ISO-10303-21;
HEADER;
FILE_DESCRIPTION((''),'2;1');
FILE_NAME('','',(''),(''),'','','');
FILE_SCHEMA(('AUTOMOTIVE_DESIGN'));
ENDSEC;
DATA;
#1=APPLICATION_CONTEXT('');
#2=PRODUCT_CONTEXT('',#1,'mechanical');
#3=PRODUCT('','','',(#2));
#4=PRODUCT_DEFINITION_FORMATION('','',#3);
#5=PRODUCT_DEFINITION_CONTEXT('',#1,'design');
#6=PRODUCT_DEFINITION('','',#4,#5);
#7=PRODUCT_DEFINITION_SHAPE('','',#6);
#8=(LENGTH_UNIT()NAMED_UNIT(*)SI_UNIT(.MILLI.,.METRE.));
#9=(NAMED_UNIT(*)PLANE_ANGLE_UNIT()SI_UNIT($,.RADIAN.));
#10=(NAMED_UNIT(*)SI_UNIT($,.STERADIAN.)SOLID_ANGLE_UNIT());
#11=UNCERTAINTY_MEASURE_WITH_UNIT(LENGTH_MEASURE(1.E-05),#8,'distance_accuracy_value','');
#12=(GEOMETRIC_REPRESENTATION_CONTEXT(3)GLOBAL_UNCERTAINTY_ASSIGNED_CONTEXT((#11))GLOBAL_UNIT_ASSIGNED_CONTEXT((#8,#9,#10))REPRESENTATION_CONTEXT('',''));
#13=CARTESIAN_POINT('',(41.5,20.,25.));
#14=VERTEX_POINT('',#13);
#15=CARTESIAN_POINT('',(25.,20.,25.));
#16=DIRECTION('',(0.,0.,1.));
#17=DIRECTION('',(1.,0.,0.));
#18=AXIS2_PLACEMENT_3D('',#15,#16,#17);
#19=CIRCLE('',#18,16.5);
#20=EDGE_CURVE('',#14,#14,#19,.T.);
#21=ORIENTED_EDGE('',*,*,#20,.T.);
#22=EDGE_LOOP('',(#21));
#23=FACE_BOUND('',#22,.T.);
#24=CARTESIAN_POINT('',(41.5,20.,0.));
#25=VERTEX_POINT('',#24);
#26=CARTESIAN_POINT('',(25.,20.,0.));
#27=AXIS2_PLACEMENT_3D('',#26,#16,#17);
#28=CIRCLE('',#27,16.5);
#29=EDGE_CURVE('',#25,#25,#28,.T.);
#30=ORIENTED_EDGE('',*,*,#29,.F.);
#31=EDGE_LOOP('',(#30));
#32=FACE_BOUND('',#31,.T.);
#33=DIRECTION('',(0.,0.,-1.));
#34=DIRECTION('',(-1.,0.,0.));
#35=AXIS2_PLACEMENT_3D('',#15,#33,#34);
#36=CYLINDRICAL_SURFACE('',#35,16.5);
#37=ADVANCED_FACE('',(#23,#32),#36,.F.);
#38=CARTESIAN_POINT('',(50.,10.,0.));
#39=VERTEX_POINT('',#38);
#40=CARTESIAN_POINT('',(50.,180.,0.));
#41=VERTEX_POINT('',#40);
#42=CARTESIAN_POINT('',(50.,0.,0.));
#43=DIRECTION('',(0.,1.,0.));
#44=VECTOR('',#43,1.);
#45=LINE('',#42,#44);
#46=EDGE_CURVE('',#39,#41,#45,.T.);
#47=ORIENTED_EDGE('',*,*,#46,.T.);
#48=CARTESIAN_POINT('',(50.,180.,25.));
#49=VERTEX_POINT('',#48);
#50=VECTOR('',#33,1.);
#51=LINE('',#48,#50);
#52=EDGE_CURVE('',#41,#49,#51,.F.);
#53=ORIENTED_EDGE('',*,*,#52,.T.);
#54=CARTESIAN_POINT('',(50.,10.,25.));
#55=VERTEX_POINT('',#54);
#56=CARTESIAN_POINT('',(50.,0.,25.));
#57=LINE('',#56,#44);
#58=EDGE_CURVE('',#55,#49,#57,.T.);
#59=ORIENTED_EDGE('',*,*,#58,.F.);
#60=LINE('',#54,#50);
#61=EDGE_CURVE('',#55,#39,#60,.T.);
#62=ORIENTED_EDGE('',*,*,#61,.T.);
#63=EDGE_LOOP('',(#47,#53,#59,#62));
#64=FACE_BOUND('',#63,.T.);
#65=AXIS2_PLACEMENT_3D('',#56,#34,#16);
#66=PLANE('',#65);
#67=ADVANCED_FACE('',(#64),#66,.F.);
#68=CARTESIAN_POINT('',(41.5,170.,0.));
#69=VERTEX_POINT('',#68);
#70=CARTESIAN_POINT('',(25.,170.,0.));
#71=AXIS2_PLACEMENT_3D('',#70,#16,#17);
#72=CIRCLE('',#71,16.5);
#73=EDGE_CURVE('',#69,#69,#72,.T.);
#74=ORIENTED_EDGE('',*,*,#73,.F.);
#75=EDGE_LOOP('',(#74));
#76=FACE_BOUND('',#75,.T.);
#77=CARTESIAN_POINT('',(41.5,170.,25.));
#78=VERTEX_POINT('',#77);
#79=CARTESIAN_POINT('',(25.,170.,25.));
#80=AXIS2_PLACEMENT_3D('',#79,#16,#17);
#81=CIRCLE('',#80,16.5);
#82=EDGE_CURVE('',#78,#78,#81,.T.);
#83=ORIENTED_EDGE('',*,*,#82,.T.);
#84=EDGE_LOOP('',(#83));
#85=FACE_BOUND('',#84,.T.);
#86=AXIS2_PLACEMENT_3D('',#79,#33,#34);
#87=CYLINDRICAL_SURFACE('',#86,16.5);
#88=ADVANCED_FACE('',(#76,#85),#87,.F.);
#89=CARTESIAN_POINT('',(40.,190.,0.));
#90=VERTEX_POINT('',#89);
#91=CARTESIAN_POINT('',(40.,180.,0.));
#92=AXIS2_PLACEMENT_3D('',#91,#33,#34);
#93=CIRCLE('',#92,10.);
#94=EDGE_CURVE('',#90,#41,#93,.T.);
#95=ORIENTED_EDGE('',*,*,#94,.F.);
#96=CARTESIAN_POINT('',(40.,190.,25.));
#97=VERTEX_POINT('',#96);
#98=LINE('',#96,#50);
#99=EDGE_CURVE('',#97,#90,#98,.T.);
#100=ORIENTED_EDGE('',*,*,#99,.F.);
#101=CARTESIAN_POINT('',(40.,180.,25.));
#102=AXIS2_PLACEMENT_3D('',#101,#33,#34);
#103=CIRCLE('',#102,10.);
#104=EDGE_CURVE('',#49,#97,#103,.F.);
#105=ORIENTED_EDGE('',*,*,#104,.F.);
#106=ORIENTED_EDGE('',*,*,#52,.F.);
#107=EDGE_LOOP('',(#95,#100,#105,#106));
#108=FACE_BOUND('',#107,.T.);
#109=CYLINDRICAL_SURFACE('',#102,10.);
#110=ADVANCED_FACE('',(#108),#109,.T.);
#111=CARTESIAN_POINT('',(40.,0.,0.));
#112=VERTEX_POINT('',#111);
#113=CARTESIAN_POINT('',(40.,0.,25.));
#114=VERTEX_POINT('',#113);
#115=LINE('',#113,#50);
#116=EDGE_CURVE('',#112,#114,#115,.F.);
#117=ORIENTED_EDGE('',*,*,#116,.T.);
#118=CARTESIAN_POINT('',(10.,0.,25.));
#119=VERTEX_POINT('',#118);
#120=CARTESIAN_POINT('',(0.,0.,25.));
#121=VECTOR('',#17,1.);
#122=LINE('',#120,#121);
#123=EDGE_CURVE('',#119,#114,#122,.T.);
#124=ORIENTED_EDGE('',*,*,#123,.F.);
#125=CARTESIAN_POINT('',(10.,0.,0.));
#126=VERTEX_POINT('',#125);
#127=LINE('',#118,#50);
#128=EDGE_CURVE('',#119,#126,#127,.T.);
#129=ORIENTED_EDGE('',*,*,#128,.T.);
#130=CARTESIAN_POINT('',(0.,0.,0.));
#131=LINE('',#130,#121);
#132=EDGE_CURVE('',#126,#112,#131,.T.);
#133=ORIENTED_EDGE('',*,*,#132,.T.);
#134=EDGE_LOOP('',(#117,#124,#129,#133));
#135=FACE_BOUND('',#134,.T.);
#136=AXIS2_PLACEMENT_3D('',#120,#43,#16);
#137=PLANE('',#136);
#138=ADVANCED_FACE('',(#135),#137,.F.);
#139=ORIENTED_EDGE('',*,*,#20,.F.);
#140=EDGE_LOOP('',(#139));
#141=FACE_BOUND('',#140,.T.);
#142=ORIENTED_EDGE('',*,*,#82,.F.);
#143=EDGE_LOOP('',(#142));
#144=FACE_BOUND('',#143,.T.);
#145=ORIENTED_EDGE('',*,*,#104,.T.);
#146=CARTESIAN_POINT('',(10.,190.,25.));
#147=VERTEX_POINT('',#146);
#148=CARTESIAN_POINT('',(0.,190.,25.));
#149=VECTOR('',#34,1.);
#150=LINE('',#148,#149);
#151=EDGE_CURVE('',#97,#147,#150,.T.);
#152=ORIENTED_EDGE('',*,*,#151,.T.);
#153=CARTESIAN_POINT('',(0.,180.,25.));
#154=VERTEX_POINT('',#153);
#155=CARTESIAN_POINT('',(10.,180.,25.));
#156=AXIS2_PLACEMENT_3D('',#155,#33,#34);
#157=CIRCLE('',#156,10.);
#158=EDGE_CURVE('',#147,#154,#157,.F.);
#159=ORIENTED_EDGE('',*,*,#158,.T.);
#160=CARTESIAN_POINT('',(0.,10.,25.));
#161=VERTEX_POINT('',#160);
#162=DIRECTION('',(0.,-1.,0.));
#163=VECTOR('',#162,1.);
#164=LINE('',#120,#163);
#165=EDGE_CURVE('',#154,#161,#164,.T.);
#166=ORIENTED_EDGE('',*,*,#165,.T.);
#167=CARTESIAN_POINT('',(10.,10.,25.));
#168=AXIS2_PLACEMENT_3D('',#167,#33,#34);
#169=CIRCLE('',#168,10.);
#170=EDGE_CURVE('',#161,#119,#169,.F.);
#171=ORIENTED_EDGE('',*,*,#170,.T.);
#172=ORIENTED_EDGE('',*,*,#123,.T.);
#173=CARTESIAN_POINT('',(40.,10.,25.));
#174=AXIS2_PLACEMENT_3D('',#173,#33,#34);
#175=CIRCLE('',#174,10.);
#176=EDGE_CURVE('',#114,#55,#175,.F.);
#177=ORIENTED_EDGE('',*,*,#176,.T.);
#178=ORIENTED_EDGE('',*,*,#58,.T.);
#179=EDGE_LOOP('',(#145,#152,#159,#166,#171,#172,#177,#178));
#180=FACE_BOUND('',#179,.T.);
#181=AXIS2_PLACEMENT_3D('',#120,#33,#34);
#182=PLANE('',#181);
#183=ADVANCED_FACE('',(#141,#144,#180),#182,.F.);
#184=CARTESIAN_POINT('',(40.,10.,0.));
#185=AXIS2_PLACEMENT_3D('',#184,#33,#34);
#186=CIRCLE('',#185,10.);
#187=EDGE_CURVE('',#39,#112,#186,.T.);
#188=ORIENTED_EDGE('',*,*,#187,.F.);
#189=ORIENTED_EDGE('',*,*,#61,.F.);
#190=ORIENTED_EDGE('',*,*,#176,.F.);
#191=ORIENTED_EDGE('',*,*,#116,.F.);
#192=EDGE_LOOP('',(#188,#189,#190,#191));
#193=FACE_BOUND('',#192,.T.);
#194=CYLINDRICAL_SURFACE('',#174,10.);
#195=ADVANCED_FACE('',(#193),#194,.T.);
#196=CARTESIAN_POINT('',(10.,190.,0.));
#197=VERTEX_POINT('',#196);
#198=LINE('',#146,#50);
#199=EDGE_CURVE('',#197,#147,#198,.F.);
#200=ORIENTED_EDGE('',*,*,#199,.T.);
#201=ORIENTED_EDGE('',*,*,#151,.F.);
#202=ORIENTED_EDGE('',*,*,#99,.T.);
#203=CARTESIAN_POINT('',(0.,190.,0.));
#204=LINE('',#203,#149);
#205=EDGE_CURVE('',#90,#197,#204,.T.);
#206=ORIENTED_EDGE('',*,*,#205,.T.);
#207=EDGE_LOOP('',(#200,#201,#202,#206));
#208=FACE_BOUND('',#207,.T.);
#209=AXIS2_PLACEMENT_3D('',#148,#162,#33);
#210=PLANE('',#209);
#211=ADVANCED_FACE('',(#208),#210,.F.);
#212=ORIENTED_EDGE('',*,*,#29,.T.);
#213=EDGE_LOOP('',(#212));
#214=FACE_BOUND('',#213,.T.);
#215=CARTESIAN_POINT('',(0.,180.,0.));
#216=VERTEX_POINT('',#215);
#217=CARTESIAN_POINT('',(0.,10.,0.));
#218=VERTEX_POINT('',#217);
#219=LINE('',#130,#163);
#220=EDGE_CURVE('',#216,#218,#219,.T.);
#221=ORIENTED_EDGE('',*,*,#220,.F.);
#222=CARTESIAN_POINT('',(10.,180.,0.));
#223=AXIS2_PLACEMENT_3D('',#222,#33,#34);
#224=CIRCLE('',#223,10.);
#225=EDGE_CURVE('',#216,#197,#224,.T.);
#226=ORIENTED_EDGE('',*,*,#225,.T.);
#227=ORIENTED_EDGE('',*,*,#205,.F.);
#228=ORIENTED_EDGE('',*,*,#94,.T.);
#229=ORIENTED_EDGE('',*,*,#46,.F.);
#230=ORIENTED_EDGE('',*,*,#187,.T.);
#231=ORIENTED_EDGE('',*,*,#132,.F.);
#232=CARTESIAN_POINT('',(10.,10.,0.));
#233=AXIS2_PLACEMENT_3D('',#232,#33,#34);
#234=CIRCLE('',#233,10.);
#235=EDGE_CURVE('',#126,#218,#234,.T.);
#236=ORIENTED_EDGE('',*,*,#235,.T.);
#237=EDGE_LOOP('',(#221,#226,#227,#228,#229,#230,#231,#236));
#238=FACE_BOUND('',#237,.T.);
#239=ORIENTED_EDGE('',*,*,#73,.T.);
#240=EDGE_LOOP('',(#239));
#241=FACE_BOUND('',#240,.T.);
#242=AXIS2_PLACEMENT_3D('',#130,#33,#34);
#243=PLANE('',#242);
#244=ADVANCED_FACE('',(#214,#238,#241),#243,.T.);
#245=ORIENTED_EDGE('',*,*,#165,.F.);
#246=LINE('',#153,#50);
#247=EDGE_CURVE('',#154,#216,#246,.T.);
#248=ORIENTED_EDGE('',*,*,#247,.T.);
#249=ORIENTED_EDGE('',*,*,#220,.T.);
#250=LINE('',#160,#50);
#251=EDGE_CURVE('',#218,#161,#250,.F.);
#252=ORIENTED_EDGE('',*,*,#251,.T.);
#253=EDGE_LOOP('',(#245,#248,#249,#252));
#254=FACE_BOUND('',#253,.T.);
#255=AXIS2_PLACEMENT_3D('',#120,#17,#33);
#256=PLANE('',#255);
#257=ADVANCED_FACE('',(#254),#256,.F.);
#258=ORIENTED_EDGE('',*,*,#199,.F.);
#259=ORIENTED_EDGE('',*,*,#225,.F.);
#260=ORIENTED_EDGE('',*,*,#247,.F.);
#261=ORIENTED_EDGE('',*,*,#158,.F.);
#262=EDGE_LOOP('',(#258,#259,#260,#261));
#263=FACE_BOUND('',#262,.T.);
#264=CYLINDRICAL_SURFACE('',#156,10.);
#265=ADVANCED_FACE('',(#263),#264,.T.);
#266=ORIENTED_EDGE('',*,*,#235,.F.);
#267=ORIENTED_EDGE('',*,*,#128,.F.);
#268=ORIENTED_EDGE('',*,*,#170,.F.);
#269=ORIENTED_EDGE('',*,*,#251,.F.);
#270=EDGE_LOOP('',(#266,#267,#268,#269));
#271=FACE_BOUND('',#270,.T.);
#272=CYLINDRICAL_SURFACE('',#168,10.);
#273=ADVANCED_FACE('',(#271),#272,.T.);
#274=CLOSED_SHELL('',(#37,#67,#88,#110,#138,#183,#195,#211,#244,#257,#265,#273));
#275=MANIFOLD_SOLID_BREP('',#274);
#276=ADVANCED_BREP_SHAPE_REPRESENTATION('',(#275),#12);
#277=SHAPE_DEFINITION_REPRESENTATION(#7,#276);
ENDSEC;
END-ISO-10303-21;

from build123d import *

# Parameters (mm, degrees)
SKETCH_1_W      = 50
SKETCH_1_H      = 190
SKETCH_1_R      = 16.5
EXTRUDE_1_DEPTH = 25
FILLET_1_R      = 10


with BuildPart() as part:
    # 草图1 → 凸台-拉伸1 (new body)
    with BuildSketch(Plane.XY):
        with Locations((25, 95)):
            Rectangle(SKETCH_1_W, SKETCH_1_H)
        with Locations((25, 170)):
            Circle(SKETCH_1_R, mode=Mode.SUBTRACT)
        with Locations((25, 20)):
            Circle(SKETCH_1_R, mode=Mode.SUBTRACT)
    extrude(amount=EXTRUDE_1_DEPTH)

    # 圆角1
    fillet_1_edges = [part.edges().sort_by_distance(p)[0] for p in [
        (0, 190, 12.5),
        (50, 190, 12.5),
        (50, 0, 12.5),
        (0, 0, 12.5),
    ]]
    fillet(fillet_1_edges, radius=FILLET_1_R)


solid = part.part
